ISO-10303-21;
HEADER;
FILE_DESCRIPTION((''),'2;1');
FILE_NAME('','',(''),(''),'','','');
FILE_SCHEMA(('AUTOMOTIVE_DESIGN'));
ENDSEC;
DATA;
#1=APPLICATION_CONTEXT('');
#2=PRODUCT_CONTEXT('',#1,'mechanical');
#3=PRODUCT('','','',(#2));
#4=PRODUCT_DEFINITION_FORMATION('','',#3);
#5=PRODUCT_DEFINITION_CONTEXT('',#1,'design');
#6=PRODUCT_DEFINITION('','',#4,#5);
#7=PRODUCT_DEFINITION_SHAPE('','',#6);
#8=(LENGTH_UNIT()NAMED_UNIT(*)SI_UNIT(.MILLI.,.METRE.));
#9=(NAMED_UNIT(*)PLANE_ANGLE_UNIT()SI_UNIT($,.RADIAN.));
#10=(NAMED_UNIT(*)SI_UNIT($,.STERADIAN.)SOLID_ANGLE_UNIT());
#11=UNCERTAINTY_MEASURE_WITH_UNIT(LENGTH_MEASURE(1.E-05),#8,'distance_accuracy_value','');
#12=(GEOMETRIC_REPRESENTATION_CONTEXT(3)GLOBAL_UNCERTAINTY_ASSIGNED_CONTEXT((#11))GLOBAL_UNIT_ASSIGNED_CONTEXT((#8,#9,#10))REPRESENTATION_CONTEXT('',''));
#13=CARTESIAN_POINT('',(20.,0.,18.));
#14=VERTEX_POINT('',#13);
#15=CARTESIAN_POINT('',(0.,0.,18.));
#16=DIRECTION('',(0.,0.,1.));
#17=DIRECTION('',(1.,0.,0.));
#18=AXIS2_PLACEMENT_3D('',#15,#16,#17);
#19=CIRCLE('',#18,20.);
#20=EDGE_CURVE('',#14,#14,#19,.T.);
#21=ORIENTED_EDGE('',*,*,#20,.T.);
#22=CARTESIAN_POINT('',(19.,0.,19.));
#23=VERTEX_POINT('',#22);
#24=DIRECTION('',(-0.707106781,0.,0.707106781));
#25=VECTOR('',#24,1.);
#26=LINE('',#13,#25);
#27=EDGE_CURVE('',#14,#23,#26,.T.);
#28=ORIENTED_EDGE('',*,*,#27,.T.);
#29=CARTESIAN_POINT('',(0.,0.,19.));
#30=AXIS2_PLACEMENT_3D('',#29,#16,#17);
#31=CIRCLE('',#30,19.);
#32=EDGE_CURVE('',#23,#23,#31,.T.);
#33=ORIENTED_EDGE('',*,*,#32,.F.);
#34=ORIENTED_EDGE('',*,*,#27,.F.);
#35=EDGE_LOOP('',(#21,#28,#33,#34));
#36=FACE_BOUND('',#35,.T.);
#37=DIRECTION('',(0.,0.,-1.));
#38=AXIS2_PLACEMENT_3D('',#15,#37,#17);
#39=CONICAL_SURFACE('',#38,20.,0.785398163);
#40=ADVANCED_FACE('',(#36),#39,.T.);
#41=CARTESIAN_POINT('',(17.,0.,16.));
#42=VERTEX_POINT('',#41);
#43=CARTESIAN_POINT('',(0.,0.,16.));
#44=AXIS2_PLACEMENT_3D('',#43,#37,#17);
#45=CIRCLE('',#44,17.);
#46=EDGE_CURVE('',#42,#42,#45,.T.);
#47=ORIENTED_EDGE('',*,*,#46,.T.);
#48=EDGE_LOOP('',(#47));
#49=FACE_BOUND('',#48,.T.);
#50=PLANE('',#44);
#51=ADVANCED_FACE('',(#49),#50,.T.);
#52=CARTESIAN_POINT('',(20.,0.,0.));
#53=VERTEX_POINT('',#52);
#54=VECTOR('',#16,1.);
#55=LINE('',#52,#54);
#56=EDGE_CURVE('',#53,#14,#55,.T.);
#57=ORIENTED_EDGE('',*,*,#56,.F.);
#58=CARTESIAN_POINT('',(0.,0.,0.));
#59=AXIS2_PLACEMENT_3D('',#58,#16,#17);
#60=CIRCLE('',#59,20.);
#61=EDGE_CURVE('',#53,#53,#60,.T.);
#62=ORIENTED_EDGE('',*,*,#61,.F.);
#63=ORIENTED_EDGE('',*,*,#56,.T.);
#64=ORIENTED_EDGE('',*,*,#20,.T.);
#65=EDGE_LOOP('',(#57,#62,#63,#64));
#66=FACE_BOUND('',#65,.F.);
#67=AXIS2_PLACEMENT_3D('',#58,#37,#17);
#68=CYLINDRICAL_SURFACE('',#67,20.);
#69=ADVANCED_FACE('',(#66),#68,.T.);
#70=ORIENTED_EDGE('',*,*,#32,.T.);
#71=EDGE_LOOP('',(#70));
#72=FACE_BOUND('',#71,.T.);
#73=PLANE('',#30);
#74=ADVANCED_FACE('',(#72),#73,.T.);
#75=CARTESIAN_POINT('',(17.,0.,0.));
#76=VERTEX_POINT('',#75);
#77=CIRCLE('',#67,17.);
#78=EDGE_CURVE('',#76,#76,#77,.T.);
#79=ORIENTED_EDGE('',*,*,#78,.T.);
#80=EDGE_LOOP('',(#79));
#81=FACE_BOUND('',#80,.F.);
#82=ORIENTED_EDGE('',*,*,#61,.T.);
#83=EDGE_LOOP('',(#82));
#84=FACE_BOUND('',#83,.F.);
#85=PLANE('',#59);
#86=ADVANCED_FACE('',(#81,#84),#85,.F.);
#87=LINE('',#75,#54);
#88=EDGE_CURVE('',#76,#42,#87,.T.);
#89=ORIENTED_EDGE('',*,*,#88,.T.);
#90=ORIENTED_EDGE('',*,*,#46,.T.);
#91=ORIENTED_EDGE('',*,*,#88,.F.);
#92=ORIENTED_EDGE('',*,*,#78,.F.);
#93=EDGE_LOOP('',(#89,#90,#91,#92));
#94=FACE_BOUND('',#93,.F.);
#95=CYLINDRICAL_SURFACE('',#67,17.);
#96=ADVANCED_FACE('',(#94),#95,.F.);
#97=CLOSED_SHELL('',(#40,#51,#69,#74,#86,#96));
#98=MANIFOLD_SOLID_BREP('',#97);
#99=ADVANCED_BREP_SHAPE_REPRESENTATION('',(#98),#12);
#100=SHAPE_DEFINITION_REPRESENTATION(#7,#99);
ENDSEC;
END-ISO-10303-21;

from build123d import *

# Parameters (mm, degrees)
SKETCH_R        = 20
PAD_DEPTH       = 19
SKETCH001_R     = 17
POCKET_DEPTH    = 16
CHAMFER001_SIZE = 1


with BuildPart() as part:
    # Sketch → Pad (new body)
    with BuildSketch(Plane.XY):
        Circle(SKETCH_R)
    extrude(amount=PAD_DEPTH)

    # Sketch001 (on Face2 of Pad) → Pocket (cut)
    with BuildSketch(Plane(origin=(0, 0, 0), x_dir=(1, 0, 0), z_dir=(0, 0, -1))):
        Circle(SKETCH001_R)
    extrude(amount=-POCKET_DEPTH, mode=Mode.SUBTRACT)

    # Chamfer001
    chamfer001_edges = [part.edges().sort_by_distance(p)[0] for p in [
        (-20, 0, 19),
    ]]
    chamfer(chamfer001_edges, length=CHAMFER001_SIZE)


solid = part.part
